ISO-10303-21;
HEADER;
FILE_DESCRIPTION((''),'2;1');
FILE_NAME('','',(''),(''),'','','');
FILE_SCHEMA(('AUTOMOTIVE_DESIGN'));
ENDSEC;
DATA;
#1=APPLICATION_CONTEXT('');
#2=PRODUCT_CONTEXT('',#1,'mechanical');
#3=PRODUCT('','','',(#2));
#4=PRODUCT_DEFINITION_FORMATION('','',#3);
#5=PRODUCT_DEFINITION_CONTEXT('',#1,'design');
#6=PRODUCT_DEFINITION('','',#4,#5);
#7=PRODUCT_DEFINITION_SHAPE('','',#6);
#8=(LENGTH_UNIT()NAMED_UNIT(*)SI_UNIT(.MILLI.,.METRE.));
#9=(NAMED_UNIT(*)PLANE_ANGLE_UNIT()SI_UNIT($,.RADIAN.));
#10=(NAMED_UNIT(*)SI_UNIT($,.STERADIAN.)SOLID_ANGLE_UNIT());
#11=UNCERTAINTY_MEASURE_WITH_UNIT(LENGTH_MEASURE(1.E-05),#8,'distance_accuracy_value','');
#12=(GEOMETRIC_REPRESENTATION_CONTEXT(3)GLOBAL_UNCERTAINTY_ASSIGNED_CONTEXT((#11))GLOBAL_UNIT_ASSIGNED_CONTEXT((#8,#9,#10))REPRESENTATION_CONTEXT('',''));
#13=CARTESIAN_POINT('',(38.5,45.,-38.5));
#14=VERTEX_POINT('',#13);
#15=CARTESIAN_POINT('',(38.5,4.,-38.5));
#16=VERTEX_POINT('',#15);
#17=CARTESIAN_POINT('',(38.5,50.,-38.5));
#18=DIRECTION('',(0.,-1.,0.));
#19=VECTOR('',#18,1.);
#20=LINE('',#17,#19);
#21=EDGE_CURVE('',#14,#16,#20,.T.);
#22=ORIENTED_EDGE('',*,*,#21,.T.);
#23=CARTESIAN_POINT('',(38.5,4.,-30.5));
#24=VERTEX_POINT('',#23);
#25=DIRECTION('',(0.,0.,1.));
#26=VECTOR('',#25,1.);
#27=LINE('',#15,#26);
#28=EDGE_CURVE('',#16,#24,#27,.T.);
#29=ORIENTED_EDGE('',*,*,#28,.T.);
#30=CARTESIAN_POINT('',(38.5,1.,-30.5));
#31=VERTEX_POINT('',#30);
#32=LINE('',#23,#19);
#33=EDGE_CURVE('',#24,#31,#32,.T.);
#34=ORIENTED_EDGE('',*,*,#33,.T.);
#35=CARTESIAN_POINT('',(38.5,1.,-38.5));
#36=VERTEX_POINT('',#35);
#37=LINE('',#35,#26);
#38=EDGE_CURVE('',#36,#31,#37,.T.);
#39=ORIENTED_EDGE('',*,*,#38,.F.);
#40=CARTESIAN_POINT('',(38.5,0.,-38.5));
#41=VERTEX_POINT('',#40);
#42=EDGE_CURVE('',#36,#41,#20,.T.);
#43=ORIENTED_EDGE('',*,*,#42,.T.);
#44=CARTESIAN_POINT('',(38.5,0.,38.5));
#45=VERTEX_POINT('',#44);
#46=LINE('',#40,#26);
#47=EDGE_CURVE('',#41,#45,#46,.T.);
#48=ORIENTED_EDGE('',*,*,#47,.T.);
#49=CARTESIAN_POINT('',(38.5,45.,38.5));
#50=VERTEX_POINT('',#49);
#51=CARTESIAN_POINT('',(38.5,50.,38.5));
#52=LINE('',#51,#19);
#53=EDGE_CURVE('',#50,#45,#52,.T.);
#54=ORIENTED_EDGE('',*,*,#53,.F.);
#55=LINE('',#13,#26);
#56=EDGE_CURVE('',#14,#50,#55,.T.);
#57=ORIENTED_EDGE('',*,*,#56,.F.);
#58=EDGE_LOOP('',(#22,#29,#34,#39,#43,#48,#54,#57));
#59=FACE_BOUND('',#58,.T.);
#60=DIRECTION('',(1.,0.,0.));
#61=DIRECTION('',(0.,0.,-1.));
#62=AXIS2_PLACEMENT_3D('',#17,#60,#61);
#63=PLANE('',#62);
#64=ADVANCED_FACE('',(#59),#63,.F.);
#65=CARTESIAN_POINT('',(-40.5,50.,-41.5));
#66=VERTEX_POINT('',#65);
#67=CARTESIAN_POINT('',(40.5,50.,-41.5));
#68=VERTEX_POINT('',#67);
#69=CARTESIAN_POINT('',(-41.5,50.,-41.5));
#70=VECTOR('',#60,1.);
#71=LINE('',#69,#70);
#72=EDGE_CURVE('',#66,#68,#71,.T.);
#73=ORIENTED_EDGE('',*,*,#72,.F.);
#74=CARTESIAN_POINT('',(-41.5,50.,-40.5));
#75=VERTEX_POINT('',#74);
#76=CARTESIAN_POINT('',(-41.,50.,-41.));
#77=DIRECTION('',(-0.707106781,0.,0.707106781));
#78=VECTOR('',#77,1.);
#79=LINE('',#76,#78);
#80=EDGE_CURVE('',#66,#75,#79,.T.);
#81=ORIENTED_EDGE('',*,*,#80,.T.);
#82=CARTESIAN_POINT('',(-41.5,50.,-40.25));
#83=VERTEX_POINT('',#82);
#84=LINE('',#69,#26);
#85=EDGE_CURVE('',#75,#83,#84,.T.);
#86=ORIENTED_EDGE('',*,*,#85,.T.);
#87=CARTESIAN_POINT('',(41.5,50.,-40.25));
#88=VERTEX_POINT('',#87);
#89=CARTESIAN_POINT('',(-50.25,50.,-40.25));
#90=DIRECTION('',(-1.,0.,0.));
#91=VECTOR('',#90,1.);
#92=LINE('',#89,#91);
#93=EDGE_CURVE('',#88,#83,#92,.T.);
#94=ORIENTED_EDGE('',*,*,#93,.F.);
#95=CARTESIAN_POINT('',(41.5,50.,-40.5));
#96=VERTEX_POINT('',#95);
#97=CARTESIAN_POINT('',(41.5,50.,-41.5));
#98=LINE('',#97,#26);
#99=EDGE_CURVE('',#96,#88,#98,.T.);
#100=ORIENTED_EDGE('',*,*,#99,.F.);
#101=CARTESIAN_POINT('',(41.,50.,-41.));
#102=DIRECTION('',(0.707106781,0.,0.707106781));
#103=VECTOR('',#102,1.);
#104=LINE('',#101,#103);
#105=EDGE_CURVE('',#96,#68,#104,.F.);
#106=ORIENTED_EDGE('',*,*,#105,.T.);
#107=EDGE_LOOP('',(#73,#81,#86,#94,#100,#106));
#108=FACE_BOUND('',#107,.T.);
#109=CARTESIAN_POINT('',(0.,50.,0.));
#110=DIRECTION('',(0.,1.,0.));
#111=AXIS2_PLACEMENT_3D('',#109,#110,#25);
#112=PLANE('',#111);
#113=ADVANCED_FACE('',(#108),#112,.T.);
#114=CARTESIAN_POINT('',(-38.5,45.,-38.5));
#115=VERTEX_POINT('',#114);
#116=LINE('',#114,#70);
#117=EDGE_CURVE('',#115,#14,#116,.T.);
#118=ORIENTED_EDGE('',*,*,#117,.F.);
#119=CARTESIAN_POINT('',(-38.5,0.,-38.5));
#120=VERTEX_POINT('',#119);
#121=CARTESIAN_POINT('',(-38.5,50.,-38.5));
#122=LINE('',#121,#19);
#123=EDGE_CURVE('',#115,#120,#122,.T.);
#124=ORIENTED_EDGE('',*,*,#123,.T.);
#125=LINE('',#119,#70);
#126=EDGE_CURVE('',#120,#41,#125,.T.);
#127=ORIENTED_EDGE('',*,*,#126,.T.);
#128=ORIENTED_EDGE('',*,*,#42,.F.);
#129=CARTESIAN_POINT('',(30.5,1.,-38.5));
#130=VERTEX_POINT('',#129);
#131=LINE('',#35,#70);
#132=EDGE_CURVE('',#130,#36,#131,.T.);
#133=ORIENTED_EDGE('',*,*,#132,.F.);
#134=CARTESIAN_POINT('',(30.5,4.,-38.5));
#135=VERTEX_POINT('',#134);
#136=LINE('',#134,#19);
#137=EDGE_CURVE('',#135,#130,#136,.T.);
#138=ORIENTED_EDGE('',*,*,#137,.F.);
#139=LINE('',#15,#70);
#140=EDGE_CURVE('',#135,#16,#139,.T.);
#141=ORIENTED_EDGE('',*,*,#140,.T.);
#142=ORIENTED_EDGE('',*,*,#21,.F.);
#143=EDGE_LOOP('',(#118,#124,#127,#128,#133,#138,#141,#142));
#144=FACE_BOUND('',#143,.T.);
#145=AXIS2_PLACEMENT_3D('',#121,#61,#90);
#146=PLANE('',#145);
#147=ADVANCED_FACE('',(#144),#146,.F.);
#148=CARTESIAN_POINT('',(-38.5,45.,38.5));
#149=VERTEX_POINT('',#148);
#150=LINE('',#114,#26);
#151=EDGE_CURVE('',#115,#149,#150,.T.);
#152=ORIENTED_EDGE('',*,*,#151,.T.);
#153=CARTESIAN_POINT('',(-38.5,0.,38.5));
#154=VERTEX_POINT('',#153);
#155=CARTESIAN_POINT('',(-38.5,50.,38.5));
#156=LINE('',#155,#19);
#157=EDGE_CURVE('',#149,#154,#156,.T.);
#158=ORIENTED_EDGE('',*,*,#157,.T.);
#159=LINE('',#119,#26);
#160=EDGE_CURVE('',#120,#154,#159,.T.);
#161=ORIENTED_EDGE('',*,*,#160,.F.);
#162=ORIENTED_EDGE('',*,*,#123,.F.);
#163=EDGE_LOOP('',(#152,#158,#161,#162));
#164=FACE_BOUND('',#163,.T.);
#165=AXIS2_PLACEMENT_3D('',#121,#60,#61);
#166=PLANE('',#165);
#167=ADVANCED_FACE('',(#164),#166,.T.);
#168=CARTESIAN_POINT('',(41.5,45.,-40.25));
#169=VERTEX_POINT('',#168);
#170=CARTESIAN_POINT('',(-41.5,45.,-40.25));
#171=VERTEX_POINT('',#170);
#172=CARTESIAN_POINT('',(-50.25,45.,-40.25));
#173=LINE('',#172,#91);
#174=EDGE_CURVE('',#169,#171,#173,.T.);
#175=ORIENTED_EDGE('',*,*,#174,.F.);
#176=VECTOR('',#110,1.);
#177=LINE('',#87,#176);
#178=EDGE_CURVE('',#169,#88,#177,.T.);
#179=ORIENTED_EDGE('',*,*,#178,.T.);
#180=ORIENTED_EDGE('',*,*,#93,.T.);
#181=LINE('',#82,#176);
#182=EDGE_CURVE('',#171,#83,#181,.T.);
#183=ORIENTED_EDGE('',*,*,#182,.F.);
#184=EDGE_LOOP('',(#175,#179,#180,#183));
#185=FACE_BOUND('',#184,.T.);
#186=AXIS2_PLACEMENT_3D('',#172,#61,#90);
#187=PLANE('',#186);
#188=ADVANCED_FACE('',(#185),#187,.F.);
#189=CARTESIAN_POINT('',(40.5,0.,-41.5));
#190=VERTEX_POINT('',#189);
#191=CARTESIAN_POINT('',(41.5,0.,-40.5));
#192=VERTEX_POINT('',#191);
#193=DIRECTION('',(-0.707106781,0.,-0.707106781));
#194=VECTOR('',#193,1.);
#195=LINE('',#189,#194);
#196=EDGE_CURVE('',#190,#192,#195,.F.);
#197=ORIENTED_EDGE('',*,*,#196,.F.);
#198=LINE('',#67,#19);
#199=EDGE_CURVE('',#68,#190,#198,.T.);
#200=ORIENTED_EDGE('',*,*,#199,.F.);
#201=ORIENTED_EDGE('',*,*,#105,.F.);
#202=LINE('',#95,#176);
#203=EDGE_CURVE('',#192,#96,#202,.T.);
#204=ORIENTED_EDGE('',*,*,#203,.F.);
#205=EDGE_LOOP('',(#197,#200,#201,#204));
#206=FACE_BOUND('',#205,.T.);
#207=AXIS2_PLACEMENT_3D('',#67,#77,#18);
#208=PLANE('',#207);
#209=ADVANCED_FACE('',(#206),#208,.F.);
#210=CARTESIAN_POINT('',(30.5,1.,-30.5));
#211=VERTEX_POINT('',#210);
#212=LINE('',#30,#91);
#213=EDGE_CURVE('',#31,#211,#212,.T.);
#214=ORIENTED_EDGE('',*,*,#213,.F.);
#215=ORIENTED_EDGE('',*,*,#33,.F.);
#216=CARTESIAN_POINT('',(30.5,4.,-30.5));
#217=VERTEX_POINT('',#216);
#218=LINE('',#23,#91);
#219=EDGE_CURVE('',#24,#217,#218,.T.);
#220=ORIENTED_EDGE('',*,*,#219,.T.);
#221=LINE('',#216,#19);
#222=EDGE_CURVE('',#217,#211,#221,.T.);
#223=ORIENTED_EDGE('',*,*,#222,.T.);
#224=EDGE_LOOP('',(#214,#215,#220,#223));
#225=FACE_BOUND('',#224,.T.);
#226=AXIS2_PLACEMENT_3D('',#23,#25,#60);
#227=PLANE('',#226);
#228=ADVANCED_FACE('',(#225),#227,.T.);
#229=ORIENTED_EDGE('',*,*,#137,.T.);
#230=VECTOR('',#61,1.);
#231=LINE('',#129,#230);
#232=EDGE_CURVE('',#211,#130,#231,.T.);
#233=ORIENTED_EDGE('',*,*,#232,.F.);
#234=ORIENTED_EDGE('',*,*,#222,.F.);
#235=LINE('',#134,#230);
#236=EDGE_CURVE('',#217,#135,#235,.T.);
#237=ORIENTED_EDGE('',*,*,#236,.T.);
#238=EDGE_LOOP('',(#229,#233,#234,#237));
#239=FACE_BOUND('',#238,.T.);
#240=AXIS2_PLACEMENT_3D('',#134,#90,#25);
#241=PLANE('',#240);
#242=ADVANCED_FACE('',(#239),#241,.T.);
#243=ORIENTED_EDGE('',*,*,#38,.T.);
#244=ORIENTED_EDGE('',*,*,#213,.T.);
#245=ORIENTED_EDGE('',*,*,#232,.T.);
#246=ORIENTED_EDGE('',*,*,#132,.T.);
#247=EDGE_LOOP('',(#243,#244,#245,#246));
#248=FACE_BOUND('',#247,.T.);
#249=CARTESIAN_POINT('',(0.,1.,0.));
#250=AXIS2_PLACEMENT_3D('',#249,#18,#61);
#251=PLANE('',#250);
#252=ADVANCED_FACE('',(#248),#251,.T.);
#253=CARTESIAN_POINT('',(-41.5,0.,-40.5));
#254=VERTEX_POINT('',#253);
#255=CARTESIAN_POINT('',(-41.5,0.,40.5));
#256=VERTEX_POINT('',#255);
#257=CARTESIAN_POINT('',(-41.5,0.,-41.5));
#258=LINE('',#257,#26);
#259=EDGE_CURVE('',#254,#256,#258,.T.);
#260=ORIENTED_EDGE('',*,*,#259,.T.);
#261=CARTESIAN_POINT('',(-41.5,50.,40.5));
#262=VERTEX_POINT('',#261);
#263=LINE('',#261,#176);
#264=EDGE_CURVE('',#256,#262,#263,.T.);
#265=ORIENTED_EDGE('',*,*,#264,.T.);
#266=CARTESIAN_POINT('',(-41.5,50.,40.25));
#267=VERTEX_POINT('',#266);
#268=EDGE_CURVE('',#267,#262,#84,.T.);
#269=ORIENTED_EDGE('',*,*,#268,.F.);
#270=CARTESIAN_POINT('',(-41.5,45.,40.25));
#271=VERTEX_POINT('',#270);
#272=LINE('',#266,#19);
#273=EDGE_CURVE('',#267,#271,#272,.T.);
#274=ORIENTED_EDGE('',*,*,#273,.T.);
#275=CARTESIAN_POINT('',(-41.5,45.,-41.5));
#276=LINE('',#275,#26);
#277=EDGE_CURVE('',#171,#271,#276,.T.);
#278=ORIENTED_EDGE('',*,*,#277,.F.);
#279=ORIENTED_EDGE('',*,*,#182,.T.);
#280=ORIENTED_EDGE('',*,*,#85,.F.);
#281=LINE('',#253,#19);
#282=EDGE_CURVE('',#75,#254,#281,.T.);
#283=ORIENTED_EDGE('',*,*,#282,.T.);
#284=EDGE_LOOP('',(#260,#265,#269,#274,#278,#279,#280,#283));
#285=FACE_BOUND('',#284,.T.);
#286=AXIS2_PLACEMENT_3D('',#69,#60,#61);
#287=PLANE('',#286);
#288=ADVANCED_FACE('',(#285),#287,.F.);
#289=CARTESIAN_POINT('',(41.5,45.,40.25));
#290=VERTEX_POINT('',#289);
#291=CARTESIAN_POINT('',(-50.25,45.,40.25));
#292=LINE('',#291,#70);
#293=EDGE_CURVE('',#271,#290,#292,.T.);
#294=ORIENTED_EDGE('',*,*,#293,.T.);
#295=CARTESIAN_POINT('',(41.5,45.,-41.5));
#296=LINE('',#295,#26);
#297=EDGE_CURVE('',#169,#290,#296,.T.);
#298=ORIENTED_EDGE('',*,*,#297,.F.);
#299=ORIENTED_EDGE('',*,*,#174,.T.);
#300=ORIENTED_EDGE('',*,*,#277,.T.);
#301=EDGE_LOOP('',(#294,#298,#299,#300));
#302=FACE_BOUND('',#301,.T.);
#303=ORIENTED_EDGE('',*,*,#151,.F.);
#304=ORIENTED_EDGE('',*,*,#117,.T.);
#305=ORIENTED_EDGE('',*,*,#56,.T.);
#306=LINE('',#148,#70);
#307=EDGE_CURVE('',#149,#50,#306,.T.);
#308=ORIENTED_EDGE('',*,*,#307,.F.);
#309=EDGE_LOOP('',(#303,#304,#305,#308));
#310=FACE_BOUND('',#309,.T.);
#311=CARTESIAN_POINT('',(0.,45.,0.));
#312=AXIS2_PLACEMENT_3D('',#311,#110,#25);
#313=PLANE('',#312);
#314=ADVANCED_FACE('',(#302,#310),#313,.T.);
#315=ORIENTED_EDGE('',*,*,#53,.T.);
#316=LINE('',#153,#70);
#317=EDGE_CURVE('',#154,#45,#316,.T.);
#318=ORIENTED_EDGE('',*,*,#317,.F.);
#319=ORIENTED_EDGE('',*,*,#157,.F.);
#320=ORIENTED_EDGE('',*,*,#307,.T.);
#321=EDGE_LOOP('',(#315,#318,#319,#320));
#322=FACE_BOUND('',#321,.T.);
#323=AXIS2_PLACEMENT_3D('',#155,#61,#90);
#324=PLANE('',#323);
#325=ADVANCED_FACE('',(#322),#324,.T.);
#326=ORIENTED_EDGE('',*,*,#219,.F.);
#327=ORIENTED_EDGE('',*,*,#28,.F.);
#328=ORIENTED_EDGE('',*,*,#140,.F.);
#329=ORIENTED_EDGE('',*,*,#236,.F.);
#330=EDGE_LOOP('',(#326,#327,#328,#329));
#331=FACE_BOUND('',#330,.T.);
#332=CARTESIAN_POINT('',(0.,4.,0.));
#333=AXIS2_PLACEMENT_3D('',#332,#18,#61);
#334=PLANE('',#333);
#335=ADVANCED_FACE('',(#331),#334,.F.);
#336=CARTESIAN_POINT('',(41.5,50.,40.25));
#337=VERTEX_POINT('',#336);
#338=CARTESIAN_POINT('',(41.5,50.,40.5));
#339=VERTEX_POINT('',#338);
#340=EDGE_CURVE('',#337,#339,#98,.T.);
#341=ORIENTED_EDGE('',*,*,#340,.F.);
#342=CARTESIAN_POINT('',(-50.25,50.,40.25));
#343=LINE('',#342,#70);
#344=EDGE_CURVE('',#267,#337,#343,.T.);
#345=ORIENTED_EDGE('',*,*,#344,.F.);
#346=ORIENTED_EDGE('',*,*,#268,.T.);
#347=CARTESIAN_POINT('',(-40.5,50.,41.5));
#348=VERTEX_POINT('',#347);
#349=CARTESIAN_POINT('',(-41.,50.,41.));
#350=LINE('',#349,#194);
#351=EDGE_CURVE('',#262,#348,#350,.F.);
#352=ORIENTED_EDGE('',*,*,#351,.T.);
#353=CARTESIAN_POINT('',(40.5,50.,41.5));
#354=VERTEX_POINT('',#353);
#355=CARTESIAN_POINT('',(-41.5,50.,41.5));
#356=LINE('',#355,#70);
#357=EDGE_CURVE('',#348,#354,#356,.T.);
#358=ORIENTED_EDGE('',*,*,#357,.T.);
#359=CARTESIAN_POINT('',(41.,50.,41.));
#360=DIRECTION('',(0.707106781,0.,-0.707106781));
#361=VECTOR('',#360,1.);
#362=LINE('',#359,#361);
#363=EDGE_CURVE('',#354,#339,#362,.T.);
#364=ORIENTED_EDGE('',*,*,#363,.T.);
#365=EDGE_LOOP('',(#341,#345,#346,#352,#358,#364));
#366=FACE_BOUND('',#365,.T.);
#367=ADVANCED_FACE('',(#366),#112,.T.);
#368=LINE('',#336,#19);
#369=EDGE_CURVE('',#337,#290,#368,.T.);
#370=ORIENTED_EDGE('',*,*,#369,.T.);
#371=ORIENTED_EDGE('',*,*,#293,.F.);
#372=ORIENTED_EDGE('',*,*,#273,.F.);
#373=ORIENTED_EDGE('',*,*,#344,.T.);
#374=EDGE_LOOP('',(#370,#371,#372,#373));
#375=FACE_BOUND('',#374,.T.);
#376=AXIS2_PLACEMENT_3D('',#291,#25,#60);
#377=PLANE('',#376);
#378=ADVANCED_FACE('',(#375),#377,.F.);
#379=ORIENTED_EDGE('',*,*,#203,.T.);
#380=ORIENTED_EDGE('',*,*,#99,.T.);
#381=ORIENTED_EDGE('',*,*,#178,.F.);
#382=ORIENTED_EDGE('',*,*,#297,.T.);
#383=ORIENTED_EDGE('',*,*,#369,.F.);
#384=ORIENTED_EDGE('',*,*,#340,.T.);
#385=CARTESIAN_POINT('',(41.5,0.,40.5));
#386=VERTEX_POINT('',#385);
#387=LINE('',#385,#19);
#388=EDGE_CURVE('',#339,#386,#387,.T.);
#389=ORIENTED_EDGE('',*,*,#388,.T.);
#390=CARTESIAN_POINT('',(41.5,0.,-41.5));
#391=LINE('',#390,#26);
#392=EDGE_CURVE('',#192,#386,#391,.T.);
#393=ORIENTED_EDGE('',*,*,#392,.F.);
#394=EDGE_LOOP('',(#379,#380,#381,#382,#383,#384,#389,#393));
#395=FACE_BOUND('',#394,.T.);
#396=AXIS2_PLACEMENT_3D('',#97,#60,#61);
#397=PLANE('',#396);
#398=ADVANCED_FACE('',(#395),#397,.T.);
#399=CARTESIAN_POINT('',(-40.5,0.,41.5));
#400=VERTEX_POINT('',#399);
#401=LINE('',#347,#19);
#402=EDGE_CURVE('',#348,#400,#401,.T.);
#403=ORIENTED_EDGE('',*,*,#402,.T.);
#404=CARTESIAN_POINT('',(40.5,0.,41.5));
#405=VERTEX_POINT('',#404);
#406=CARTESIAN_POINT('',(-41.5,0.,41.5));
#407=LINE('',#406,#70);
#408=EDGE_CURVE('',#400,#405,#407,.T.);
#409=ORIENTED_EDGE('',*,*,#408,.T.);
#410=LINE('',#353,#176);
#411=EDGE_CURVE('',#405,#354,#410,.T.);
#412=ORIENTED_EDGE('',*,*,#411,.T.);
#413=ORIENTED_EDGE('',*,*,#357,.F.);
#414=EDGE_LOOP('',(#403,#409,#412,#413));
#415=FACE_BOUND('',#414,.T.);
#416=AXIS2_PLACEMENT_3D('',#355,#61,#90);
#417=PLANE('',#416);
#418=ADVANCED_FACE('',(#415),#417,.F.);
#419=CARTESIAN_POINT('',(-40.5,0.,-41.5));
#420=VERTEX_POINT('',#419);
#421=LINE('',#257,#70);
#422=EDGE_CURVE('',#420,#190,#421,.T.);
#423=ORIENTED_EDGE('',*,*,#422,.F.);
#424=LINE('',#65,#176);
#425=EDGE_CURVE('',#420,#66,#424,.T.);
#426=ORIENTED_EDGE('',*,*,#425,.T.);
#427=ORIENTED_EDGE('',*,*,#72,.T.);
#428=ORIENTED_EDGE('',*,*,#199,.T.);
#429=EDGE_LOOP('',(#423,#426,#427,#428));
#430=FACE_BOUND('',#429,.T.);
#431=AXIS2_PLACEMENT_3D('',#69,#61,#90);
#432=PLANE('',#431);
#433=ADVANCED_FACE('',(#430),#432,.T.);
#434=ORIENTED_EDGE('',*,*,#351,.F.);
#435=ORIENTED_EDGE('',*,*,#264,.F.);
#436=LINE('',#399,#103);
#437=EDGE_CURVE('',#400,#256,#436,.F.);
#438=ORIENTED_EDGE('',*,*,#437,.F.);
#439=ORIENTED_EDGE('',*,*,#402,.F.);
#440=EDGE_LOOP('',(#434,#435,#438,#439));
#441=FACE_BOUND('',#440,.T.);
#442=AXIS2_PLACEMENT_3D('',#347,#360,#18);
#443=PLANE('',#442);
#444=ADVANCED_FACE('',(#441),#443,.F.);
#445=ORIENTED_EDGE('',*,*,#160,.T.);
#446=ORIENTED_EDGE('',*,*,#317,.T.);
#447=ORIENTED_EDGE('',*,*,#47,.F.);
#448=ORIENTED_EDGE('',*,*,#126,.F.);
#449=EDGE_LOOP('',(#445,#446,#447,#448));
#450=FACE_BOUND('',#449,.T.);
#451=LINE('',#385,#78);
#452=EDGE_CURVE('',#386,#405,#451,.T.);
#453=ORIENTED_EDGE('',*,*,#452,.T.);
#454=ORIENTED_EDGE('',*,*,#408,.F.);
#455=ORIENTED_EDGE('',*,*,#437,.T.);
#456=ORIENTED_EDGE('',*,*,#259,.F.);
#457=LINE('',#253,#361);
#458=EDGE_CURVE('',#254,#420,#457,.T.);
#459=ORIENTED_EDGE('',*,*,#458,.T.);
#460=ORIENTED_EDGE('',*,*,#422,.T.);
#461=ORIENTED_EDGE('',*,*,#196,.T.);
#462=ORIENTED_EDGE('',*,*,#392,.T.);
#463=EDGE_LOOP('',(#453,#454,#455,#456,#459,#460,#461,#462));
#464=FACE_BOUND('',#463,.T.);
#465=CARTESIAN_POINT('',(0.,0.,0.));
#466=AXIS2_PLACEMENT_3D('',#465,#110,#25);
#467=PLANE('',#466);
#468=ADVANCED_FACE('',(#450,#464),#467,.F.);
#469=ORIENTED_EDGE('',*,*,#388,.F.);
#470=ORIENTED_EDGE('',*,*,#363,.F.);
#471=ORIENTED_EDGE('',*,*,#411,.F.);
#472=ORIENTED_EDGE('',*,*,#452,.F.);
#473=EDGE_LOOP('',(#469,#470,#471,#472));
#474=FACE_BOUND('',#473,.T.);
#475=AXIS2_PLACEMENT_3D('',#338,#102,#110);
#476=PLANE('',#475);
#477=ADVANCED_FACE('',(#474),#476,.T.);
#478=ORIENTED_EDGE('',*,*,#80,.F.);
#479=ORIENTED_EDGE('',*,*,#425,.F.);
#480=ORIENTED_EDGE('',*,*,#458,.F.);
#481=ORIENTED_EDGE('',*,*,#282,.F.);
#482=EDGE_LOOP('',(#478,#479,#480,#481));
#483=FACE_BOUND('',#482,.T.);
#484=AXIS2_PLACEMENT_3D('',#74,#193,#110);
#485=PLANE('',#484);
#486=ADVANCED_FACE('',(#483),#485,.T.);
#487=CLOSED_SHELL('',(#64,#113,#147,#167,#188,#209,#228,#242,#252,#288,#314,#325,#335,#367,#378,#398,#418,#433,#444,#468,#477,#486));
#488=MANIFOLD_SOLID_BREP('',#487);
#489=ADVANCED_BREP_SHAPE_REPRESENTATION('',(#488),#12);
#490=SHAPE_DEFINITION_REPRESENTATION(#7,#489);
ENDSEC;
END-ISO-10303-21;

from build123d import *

# Parameters (mm, degrees)
SKETCH1_W           = 83
SKETCH1_H           = 83
SKETCH1_W_2         = 77
SKETCH1_H_2         = 77
BOSS_EXTRUDE1_DEPTH = 50
SKETCH2_W           = 100.5
SKETCH2_H           = 80.5
CUT_EXTRUDE1_DEPTH  = 5
CHAMFER1_SIZE       = 1
SKETCH3_W           = 8
SKETCH3_H           = 8
BOSS_EXTRUDE2_DEPTH = 3


with BuildPart() as part:
    # Sketch1 → Boss-Extrude1 (new body)
    with BuildSketch(Plane(origin=(0, 0, 0), x_dir=(1, 0, 0), z_dir=(0, 1, 0))):
        Rectangle(SKETCH1_W, SKETCH1_H)
        Rectangle(SKETCH1_W_2, SKETCH1_H_2, mode=Mode.SUBTRACT)
    extrude(amount=BOSS_EXTRUDE1_DEPTH)

    # Sketch2 → Cut-Extrude1 (cut)
    with BuildSketch(Plane(origin=(0, 50, 0), x_dir=(1, 0, 0), z_dir=(0, 1, 0))):
        Rectangle(SKETCH2_W, SKETCH2_H)
    extrude(amount=-CUT_EXTRUDE1_DEPTH, mode=Mode.SUBTRACT)

    # Chamfer1
    chamfer1_edges = [part.edges().sort_by_distance(p)[0] for p in [
        (-41.5, 25, -41.5),
        (41.5, 25, -41.5),
        (41.5, 25, 41.5),
        (-41.5, 25, 41.5),
    ]]
    chamfer(chamfer1_edges, length=CHAMFER1_SIZE)

    # Sketch3 → Boss-Extrude2 (add)
    with BuildSketch(Plane(origin=(0, 1, 0), x_dir=(-1, 0, 0), z_dir=(0, -1, 0))):
        with Locations((-34.5, 34.5)):
            Rectangle(SKETCH3_W, SKETCH3_H)
    extrude(amount=-BOSS_EXTRUDE2_DEPTH)


solid = part.part
